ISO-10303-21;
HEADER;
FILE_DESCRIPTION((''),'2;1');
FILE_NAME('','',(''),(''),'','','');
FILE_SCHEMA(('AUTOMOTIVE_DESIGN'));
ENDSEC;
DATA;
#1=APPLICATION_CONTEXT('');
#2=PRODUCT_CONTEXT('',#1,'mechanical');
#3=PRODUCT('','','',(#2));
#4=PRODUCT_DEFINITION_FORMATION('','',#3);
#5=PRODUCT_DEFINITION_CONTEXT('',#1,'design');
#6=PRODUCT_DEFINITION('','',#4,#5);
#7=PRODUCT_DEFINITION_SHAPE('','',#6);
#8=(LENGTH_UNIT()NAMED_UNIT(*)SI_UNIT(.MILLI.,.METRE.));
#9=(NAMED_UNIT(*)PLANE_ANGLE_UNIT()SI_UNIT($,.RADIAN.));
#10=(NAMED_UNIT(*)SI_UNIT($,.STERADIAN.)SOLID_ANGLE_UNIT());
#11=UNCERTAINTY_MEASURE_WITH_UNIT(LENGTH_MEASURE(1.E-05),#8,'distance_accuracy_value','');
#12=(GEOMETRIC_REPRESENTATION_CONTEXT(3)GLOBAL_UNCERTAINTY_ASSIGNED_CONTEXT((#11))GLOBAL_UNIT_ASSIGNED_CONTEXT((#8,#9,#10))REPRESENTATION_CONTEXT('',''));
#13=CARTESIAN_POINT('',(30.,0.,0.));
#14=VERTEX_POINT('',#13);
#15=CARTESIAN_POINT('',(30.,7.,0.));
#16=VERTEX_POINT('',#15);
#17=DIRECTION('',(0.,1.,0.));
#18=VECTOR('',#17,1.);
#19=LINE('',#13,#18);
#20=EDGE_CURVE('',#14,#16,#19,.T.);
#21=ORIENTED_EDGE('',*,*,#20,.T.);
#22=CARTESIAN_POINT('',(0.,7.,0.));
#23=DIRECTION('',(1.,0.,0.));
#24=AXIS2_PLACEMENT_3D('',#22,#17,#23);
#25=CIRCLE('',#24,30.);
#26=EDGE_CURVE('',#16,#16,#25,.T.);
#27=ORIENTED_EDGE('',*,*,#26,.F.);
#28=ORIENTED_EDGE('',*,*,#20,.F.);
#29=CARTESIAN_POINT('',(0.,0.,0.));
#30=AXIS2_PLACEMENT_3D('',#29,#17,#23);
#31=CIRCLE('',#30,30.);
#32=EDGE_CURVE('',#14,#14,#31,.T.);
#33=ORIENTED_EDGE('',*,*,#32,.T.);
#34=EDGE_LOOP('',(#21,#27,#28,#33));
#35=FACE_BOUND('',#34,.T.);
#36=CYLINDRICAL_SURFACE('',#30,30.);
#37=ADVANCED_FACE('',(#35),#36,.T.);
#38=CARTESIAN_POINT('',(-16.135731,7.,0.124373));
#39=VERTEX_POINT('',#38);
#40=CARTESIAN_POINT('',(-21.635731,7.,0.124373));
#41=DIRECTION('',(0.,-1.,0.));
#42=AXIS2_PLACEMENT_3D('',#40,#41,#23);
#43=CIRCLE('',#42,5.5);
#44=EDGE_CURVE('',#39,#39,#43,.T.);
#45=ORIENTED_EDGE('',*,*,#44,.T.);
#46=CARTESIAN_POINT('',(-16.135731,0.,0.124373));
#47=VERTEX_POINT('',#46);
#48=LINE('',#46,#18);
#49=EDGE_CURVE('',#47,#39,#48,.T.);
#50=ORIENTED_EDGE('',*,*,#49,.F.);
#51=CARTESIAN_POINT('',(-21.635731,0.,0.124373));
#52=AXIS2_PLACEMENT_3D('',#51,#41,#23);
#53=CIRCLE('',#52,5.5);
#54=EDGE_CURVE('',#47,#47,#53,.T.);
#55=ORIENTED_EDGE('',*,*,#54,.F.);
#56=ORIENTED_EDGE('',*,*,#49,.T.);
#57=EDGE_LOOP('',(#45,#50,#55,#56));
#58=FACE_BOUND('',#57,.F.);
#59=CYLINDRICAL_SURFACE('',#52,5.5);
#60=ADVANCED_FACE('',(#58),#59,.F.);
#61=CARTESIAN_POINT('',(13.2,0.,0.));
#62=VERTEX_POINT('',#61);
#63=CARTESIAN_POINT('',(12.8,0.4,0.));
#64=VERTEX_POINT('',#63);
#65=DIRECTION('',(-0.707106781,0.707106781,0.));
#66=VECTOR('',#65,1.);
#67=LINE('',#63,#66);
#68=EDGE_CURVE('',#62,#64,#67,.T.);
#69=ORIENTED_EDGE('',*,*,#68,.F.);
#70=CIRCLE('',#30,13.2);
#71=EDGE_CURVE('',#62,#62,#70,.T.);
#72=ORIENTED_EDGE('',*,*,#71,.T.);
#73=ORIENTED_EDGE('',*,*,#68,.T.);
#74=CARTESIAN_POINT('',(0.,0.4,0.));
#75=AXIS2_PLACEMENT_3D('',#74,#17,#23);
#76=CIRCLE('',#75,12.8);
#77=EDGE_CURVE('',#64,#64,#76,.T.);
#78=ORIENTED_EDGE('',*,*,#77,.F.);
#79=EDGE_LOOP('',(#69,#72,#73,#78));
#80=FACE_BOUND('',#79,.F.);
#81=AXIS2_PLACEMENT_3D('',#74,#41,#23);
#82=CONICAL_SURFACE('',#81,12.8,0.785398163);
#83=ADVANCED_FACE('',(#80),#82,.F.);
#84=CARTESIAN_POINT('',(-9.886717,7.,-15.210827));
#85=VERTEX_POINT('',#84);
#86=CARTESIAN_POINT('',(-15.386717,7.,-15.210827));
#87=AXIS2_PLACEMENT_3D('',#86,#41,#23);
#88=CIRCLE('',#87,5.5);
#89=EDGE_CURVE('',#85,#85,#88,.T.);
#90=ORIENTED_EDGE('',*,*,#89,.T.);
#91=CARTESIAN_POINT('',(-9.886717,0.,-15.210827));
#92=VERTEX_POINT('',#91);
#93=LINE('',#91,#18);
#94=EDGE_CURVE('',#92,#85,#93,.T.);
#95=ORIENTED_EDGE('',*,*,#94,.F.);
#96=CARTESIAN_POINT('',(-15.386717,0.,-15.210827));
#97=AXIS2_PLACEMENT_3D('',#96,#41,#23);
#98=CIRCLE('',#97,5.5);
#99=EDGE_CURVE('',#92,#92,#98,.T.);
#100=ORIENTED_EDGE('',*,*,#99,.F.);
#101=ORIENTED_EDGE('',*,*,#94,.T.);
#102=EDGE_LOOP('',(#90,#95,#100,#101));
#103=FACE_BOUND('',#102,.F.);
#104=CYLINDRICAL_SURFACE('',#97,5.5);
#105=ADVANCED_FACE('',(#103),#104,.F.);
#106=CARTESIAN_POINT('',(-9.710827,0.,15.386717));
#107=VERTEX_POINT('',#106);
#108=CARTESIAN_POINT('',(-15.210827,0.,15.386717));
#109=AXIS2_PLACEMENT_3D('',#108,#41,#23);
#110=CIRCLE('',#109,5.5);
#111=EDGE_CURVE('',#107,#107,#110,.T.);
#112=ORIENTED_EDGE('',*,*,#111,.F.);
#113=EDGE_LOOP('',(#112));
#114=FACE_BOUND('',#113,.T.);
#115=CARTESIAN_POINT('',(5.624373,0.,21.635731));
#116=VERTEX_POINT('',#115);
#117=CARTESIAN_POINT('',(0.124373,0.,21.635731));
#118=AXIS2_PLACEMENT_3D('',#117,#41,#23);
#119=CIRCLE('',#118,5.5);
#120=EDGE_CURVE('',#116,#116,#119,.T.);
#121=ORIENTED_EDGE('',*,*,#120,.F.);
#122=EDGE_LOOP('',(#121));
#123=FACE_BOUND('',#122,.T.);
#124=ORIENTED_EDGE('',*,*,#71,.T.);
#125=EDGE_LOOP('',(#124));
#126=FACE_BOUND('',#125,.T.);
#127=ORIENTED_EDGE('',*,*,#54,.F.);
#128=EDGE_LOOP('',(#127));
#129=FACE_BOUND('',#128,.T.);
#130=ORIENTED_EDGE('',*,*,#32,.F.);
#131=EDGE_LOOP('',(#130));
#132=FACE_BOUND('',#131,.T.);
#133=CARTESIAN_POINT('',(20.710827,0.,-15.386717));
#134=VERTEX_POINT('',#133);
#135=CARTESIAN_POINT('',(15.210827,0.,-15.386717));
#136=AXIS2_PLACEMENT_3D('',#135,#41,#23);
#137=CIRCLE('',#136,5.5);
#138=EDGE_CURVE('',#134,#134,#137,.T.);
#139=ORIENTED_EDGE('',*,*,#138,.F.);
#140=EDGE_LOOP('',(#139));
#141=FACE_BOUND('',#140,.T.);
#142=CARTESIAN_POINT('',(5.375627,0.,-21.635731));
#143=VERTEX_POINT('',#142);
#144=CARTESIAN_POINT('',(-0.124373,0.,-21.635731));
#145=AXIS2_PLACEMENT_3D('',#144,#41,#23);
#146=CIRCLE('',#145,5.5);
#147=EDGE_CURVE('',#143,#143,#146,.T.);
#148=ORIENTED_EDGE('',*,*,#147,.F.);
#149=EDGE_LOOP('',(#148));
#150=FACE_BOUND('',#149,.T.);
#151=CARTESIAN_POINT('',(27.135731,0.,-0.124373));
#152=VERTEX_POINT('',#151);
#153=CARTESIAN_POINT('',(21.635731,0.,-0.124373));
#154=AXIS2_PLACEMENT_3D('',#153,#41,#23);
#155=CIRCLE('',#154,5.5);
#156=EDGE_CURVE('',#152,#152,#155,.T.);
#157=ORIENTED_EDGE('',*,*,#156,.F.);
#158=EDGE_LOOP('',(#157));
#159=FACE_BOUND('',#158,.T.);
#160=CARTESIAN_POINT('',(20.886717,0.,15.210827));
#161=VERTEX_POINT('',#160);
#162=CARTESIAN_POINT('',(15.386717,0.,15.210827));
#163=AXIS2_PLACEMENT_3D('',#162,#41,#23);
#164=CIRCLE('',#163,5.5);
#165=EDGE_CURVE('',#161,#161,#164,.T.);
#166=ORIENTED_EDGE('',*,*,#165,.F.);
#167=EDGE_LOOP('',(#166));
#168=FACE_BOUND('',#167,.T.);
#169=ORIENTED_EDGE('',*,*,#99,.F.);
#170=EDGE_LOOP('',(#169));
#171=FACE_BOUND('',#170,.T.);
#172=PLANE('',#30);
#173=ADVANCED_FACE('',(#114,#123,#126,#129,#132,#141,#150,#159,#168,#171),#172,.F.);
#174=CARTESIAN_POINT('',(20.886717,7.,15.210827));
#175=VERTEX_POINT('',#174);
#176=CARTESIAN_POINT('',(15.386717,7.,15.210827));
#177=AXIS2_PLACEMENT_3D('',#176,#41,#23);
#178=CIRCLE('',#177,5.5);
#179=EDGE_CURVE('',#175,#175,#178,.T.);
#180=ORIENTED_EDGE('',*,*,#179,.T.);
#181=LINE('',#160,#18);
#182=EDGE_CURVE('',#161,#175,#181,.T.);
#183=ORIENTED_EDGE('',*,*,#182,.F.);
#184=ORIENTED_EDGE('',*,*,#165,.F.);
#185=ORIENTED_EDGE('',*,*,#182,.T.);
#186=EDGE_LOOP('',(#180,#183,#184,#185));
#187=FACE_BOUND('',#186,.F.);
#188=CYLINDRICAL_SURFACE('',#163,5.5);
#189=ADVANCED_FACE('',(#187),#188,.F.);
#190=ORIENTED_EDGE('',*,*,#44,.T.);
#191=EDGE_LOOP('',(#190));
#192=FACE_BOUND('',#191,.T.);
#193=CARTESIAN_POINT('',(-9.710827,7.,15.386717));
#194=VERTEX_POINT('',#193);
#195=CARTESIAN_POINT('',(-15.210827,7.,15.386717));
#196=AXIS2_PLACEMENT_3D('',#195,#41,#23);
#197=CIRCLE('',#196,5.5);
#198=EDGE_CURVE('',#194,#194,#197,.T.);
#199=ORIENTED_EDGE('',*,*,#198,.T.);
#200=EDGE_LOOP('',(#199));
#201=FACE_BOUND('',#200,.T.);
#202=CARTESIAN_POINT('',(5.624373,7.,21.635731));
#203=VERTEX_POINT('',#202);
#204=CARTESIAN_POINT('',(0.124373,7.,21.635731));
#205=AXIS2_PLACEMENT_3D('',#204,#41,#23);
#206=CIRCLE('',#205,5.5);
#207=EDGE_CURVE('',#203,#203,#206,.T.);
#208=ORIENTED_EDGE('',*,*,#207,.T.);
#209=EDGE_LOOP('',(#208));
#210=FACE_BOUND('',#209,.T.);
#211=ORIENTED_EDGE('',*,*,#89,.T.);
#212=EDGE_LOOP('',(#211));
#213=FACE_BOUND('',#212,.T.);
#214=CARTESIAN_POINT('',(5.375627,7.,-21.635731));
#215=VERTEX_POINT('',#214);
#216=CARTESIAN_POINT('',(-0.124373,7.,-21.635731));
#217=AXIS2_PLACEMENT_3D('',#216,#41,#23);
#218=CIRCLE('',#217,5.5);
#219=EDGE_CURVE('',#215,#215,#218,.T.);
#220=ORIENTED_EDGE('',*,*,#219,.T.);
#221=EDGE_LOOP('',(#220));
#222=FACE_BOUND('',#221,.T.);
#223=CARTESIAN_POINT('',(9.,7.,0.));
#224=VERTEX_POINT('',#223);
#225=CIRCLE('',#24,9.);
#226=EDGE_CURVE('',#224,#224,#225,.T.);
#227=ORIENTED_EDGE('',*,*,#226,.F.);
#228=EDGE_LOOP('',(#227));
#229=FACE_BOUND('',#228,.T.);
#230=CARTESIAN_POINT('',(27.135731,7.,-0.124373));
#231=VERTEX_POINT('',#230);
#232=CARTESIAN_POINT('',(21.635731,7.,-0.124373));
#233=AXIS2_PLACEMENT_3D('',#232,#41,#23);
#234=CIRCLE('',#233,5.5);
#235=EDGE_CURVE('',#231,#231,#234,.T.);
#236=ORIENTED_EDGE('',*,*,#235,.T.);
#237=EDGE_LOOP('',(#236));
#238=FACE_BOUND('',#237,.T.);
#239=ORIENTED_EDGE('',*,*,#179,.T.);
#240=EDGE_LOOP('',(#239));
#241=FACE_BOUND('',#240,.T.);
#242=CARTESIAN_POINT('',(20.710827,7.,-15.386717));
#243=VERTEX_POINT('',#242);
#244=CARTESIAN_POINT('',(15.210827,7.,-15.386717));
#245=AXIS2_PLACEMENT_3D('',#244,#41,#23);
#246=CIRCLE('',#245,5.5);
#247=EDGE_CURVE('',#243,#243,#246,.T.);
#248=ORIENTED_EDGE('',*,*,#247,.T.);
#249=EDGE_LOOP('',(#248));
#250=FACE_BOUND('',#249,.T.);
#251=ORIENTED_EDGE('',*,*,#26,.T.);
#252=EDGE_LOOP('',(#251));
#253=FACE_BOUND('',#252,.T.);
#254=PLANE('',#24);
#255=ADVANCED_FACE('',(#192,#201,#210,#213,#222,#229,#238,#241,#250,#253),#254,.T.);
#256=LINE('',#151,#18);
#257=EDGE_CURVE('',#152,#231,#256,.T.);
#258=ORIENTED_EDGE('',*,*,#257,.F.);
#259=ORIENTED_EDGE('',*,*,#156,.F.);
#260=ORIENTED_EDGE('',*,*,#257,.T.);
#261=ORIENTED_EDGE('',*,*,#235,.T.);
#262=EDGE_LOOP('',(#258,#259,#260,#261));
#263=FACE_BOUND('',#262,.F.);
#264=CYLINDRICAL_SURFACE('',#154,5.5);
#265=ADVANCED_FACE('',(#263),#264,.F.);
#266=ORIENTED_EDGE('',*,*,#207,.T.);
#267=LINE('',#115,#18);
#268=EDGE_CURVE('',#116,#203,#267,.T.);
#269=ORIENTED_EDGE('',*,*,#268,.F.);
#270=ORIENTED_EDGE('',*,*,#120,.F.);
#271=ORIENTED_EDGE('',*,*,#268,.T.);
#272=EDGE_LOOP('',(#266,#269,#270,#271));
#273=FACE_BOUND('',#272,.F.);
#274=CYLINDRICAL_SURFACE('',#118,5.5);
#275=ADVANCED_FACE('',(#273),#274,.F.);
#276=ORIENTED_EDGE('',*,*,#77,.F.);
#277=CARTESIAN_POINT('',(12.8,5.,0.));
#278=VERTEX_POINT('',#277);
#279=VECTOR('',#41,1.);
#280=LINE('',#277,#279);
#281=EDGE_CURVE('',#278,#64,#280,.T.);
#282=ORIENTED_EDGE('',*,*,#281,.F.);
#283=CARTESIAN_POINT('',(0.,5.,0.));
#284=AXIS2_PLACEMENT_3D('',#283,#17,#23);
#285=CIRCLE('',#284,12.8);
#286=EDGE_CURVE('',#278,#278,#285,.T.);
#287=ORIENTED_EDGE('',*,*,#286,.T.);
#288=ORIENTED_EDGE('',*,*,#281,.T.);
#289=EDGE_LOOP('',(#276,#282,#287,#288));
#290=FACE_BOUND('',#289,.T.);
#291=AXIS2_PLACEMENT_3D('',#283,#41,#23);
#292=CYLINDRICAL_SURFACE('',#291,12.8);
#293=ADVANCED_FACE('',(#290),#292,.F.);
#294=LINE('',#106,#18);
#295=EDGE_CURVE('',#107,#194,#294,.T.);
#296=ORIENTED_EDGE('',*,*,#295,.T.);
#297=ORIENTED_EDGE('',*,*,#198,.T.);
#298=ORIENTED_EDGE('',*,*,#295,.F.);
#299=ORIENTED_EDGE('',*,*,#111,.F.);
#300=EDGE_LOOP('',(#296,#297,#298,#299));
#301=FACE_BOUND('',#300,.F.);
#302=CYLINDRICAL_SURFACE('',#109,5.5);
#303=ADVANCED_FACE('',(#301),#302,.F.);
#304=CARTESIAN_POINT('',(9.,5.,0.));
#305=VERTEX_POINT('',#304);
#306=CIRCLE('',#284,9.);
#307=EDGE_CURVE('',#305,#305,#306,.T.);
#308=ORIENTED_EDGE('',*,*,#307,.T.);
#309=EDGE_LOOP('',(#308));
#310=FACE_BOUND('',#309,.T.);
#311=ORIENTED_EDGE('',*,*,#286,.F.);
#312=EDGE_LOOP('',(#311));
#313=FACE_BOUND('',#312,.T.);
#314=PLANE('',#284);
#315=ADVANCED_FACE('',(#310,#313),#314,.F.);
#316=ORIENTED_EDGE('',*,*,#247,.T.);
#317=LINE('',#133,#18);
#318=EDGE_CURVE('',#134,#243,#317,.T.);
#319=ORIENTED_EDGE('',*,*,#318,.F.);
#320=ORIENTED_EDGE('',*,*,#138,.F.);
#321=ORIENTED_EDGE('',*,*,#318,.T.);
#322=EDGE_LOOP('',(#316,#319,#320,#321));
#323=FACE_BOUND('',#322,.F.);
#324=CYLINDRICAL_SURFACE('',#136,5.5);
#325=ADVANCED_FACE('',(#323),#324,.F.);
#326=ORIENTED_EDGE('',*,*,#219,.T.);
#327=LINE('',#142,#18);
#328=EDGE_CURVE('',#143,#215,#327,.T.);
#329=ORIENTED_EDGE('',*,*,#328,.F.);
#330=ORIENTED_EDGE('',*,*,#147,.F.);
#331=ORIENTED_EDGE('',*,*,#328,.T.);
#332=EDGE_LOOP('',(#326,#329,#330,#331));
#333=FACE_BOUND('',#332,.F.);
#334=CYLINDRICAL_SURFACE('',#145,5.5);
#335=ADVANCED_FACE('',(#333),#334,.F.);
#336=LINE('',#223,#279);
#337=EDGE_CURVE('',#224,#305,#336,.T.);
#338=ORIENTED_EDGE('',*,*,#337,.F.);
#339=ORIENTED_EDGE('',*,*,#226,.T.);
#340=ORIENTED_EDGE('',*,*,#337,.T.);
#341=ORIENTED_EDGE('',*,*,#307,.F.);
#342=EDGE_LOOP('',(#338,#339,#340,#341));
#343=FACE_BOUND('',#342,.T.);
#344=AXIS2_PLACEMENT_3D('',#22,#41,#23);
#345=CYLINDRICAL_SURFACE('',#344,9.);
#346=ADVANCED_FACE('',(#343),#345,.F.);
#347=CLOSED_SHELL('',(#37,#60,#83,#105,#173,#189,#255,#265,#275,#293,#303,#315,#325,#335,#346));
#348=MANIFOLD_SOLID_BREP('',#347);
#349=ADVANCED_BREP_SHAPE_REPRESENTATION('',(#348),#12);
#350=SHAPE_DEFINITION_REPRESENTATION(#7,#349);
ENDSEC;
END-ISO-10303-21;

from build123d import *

# Parameters (mm, degrees)
SKETCH001_R  = 5.5
POCKET_DEPTH = 7.001
CHAMFER_SIZE = 0.4


with BuildPart() as part:
    # Sketch → Revolution (revolve)
    with BuildSketch(Plane.XY):
        Polygon((30, 0), (30, 7), (9, 7), (9, 5), (12.8, 5), (12.8, 0), align=None)
    revolve(axis=Axis((0, 0, 0), (0, 1, 0)))

    # Sketch001 (on Face6 of Revolution) → Pocket (cut, through all)
    with BuildSketch(Plane.XZ):
        with Locations((0.124373, 21.635731)):
            Circle(SKETCH001_R)
        with Locations((15.386717, 15.210827)):
            Circle(SKETCH001_R)
        with Locations((21.635731, -0.124373)):
            Circle(SKETCH001_R)
        with Locations((15.210827, -15.386717)):
            Circle(SKETCH001_R)
        with Locations((-0.124373, -21.635731)):
            Circle(SKETCH001_R)
        with Locations((-15.386717, -15.210827)):
            Circle(SKETCH001_R)
        with Locations((-21.635731, 0.124373)):
            Circle(SKETCH001_R)
        with Locations((-15.210827, 15.386717)):
            Circle(SKETCH001_R)
    extrude(amount=-POCKET_DEPTH, mode=Mode.SUBTRACT)

    # Chamfer
    chamfer_edges = [part.edges().sort_by_distance(p)[0] for p in [
        (-12.8, 0, 0),
    ]]
    chamfer(chamfer_edges, length=CHAMFER_SIZE)


solid = part.part
